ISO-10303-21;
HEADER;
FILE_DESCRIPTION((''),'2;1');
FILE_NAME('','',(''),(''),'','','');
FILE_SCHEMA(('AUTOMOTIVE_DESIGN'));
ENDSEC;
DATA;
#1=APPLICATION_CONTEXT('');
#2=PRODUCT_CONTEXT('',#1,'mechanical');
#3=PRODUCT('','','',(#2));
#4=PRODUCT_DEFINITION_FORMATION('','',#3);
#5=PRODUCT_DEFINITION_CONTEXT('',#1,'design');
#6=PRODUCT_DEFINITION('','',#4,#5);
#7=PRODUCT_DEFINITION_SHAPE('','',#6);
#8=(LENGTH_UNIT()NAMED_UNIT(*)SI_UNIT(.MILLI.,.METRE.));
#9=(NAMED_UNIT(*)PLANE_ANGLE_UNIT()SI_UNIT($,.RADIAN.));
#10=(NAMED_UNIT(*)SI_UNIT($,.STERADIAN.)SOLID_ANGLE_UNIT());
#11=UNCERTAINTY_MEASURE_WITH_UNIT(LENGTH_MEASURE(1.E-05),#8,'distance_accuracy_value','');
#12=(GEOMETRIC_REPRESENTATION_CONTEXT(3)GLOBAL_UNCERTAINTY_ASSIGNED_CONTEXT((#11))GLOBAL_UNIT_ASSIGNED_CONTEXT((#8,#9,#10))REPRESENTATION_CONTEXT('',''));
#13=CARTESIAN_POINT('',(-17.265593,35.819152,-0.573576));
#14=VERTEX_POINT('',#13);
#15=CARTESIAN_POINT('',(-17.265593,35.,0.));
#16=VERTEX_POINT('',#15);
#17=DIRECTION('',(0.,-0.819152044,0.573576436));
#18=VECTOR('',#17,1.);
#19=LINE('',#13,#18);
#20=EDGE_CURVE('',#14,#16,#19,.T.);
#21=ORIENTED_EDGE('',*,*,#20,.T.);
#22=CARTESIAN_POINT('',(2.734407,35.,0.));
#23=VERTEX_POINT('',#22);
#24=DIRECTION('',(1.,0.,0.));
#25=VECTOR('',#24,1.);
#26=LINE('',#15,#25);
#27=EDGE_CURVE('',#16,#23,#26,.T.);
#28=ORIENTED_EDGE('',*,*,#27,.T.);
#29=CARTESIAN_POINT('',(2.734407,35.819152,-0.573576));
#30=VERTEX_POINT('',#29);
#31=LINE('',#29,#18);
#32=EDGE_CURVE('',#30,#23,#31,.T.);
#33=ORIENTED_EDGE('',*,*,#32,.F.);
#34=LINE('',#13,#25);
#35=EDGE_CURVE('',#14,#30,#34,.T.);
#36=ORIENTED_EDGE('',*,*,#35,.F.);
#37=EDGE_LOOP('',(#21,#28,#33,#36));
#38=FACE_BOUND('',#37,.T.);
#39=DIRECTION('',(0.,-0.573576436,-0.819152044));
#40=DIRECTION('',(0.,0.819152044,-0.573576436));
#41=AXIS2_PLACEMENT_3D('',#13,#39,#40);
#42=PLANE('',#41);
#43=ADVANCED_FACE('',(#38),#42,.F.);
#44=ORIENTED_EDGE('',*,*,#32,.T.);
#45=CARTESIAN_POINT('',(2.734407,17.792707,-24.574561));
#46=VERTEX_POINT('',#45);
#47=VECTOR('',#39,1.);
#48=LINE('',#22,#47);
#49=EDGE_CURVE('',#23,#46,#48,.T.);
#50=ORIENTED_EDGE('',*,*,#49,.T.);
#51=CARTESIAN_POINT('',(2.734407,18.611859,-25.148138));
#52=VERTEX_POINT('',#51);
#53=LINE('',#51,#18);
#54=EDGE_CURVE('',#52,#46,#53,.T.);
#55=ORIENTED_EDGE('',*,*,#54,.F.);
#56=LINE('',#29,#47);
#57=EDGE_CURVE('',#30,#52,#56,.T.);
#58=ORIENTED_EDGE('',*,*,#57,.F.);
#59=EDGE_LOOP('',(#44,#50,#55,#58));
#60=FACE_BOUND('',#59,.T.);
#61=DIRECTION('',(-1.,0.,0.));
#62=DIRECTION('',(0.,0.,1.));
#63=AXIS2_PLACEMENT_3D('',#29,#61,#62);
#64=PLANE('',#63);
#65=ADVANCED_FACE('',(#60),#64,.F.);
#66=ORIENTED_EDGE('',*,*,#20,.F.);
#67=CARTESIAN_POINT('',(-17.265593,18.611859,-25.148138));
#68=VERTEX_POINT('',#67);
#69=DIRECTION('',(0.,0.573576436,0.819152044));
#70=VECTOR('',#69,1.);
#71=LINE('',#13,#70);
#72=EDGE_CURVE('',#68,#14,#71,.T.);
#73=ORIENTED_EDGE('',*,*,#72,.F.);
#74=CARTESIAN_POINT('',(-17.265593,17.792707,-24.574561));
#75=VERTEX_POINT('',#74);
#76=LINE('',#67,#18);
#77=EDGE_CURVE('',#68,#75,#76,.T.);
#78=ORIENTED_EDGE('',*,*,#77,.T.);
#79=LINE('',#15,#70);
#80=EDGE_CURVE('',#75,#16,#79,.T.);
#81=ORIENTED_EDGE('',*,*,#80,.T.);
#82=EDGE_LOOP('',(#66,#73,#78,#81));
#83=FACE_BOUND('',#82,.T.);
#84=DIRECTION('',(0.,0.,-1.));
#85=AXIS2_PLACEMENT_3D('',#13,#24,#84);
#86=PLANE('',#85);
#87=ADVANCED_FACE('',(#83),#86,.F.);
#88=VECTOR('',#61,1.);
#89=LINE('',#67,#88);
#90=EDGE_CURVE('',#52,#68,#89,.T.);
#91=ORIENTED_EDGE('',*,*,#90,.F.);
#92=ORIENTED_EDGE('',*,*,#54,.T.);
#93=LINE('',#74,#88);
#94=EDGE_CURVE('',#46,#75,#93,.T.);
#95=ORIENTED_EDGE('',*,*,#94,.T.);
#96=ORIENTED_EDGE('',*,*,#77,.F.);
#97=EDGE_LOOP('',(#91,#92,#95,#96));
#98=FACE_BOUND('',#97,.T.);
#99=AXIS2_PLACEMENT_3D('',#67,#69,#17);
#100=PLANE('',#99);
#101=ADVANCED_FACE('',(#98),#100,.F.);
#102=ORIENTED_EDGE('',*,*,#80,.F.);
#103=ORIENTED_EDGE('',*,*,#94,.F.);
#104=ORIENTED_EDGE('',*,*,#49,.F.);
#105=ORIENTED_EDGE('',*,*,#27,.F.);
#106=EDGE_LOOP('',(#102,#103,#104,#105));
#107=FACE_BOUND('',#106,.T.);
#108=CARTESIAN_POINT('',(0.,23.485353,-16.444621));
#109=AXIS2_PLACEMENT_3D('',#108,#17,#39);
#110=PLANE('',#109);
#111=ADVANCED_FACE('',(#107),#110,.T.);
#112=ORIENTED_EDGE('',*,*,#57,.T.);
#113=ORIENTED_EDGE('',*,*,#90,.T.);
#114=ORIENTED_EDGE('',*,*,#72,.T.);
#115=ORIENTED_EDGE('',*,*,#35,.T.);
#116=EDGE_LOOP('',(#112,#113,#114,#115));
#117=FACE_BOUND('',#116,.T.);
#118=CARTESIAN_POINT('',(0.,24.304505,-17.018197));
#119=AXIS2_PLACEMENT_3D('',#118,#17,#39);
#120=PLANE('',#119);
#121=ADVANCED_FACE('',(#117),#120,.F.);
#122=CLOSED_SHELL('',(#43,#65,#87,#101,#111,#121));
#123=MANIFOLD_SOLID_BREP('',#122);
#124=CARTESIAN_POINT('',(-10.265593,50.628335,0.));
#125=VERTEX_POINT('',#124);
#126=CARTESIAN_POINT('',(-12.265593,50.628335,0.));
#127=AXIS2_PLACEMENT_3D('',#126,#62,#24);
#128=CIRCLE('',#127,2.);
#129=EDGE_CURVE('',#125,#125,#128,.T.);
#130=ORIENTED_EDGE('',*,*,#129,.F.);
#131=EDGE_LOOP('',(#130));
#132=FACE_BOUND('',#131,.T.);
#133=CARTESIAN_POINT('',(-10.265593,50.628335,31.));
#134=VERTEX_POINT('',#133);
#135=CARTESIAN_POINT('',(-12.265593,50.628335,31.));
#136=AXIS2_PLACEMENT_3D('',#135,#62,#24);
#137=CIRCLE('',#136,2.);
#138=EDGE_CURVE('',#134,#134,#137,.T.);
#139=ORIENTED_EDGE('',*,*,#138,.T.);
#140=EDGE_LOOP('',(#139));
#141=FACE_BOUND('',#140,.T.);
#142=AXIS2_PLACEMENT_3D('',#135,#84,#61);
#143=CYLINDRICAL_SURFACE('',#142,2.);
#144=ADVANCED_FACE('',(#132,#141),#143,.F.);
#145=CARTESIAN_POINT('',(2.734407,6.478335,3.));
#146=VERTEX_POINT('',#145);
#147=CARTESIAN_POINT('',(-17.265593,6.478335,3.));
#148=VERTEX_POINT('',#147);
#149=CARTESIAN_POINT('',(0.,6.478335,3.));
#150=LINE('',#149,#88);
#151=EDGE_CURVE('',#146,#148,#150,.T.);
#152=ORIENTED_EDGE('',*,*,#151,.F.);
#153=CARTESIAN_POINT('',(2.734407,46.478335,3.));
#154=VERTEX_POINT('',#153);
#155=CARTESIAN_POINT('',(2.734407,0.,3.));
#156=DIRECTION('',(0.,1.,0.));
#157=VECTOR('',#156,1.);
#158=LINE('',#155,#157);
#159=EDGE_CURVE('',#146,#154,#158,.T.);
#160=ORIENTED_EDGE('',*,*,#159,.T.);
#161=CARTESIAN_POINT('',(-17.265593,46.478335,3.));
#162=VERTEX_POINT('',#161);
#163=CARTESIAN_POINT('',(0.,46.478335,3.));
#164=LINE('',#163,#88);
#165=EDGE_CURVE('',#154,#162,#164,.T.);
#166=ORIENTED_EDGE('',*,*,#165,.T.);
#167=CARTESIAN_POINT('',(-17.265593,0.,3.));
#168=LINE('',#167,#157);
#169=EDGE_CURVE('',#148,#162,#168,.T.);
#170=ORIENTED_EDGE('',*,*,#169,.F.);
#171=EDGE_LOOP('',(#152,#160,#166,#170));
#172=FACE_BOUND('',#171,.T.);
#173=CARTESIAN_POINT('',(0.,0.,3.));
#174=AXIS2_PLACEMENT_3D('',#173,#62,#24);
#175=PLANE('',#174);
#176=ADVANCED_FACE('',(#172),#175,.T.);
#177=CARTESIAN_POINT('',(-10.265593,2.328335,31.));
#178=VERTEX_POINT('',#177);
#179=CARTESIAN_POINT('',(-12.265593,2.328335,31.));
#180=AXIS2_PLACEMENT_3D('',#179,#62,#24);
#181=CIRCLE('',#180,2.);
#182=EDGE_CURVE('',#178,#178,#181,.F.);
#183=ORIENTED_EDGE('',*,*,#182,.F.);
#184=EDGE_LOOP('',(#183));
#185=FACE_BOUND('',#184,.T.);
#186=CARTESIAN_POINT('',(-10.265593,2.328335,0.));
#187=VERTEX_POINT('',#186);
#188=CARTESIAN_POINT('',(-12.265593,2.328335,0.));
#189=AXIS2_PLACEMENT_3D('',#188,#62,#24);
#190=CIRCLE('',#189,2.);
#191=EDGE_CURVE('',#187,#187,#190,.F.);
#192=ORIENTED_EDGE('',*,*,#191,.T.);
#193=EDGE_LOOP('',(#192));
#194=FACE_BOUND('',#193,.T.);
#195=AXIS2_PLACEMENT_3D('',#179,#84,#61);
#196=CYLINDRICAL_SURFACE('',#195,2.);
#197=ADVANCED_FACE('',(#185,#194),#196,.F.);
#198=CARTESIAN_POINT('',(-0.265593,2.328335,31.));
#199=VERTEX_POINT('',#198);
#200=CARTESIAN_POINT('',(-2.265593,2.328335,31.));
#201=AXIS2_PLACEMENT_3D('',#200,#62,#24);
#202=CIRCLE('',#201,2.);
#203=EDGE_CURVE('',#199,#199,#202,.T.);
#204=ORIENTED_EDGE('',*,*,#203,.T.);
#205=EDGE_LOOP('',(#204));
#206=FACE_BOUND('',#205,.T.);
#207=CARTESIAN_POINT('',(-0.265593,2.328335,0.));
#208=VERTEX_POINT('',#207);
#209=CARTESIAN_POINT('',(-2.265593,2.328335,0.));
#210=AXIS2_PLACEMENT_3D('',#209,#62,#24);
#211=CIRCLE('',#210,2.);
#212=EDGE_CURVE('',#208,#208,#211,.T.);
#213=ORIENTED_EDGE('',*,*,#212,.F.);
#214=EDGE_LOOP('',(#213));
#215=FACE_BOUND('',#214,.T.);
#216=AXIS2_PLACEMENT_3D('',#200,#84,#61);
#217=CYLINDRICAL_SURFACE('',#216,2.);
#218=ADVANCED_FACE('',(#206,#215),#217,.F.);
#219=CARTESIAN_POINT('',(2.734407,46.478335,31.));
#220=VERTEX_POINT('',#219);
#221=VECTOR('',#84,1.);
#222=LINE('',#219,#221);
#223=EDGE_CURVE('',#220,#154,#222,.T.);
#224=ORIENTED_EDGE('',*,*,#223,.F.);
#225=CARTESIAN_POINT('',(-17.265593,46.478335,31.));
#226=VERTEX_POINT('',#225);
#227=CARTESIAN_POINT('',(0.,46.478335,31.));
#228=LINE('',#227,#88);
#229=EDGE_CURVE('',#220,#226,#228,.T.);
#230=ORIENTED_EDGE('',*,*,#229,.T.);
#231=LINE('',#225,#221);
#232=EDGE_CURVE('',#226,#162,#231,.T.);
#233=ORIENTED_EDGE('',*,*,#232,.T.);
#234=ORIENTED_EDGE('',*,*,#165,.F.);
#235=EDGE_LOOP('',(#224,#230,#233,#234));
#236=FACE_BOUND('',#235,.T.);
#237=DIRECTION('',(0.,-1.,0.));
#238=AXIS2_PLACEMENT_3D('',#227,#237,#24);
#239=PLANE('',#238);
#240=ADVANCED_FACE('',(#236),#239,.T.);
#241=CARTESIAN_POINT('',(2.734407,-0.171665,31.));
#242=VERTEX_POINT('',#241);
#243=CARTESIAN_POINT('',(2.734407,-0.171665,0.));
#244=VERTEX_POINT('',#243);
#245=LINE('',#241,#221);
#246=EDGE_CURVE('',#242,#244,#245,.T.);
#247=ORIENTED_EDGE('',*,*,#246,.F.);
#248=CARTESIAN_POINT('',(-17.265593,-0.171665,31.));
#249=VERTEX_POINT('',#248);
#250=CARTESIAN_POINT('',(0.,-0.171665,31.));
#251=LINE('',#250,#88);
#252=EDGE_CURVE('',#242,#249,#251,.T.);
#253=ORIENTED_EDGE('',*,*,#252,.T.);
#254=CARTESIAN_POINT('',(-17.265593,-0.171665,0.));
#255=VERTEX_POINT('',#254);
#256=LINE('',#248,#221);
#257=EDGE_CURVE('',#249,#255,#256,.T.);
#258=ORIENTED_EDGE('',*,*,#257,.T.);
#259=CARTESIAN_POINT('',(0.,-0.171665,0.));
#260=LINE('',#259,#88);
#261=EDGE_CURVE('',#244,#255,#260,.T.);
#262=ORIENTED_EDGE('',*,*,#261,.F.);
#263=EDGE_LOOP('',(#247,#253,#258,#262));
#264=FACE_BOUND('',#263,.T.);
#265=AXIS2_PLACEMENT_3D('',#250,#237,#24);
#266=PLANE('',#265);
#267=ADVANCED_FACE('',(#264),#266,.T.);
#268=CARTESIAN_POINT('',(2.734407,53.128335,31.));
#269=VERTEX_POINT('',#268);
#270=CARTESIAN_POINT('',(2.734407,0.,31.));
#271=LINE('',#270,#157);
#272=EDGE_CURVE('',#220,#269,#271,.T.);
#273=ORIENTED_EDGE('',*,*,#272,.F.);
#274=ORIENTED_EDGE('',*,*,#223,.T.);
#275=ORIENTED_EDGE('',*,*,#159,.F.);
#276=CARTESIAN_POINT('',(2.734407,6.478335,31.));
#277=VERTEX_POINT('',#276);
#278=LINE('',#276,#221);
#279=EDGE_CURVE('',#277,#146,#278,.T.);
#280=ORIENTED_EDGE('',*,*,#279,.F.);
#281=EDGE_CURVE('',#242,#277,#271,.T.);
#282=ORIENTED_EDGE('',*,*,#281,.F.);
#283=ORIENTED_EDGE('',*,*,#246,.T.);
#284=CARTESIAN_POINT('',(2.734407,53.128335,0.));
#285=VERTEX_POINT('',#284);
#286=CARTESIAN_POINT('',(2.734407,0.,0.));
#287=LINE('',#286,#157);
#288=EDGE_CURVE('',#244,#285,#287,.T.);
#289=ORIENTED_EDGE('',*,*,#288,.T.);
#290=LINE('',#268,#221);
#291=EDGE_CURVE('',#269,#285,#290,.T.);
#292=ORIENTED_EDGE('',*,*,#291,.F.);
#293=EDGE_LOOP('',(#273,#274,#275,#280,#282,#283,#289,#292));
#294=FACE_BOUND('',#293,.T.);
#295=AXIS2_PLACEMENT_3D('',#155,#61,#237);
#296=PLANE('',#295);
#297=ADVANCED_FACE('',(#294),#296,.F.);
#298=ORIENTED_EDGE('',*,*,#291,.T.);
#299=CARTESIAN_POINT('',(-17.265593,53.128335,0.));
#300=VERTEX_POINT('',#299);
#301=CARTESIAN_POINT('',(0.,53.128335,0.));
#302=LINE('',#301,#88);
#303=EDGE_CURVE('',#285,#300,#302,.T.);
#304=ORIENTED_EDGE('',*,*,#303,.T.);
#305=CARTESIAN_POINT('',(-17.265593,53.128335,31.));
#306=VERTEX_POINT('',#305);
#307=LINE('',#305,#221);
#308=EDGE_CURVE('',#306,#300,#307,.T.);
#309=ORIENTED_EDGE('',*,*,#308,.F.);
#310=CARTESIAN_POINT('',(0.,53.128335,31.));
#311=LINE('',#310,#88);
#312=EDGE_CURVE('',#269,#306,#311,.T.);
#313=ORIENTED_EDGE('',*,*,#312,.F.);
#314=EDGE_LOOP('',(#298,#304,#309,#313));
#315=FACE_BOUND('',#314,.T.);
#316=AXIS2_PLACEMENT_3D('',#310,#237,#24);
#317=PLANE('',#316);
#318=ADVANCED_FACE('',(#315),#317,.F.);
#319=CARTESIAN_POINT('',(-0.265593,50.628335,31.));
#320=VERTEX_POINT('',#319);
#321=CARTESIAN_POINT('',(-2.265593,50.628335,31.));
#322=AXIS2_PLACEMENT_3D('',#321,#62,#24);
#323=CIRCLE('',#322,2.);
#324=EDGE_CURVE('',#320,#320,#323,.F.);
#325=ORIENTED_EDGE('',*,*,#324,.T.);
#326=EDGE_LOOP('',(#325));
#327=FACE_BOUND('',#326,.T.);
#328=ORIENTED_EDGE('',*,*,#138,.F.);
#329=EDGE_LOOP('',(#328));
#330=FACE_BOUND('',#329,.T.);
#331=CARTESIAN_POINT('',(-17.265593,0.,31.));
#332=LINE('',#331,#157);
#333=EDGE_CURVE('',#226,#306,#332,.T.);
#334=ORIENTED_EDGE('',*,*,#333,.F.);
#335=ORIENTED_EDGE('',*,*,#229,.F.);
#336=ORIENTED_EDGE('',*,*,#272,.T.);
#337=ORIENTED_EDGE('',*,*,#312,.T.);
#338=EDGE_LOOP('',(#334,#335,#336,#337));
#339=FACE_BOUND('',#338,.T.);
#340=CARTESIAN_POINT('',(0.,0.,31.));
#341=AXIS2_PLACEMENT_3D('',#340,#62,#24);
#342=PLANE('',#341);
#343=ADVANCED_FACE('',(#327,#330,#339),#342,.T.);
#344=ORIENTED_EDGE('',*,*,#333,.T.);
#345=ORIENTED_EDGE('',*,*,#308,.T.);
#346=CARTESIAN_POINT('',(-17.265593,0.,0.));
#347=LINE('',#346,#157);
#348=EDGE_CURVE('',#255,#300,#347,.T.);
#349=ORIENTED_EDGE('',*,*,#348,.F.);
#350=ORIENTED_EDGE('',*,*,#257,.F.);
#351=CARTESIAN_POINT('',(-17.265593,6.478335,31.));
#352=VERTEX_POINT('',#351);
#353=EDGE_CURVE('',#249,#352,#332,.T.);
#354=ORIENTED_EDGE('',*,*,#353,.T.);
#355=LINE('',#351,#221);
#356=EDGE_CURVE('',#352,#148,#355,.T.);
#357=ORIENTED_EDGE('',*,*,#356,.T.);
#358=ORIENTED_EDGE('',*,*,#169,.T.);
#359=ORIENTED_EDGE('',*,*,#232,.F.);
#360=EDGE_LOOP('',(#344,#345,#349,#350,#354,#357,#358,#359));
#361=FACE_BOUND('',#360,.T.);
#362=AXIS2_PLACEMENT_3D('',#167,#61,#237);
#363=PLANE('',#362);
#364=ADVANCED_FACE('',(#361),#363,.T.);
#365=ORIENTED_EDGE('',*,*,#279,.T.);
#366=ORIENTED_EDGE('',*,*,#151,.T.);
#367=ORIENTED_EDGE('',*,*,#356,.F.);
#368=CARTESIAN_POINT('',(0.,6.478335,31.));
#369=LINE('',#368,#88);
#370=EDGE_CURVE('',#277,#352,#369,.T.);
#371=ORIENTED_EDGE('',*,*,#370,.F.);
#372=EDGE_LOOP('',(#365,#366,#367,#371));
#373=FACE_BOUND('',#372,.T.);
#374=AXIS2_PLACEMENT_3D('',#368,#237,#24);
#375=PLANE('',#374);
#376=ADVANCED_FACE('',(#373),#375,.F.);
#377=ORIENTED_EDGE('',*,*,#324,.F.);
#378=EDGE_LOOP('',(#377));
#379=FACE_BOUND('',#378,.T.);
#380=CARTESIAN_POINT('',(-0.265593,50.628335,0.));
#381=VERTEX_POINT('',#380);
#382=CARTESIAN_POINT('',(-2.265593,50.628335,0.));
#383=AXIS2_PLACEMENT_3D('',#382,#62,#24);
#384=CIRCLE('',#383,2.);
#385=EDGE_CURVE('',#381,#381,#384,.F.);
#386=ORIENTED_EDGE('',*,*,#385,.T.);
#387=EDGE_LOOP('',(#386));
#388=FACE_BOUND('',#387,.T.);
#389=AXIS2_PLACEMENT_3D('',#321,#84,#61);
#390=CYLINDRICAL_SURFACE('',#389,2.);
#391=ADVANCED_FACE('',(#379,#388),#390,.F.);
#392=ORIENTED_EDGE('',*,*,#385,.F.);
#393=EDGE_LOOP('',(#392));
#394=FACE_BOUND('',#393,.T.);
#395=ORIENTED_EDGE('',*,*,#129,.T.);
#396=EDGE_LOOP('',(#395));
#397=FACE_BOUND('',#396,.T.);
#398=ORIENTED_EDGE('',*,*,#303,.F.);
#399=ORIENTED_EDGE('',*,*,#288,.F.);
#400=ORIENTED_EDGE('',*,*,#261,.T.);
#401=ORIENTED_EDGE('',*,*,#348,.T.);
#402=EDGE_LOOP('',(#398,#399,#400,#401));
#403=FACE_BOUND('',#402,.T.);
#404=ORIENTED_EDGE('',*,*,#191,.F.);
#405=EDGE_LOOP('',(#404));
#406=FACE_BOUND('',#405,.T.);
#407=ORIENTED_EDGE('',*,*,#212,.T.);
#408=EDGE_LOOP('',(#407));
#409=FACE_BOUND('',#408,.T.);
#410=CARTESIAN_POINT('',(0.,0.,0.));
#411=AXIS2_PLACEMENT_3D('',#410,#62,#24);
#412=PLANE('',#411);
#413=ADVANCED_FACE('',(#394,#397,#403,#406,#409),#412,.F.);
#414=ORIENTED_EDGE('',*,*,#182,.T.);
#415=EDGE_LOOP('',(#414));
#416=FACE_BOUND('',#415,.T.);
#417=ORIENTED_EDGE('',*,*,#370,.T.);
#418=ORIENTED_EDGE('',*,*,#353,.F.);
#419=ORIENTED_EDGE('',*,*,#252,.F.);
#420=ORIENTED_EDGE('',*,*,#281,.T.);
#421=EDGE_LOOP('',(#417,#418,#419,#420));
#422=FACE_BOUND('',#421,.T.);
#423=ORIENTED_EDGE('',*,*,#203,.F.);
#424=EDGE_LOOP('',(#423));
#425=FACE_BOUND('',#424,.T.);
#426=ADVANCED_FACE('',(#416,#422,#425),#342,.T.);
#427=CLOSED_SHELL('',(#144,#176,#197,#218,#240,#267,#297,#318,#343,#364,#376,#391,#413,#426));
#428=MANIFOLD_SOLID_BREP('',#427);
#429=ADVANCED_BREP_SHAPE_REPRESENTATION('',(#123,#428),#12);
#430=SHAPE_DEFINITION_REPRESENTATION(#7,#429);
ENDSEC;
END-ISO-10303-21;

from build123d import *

# Parameters (mm, degrees)
SKETCH3_W           = 20
SKETCH3_H           = 40
BOSS_EXTRUDE1_DEPTH = 3
SKETCH3_3_W         = 20
SKETCH3_3_H         = 6.65
SKETCH3_3_R         = 2
BOSS_EXTRUDE2_DEPTH = 31
SKETCH8_W           = 20
SKETCH8_H           = 30
BOSS_EXTRUDE6_DEPTH = 1


with BuildPart() as part:
    # Sketch3 → Boss-Extrude1 (new body)
    with BuildSketch(Plane.XY):
        with Locations((-7.265593176, 26.478335221)):
            Rectangle(SKETCH3_W, SKETCH3_H)
    extrude(amount=BOSS_EXTRUDE1_DEPTH)

    # Sketch3<3> → Boss-Extrude2 (add)
    # profile 1 of 2: a face of its own
    with BuildSketch(Plane.XY):
        with Locations((-7.265593176, 3.153335221)):
            Rectangle(SKETCH3_3_W, SKETCH3_3_H)
        with Locations((-2.265593176, 2.328335221)):
            Circle(SKETCH3_3_R, mode=Mode.SUBTRACT)
        with Locations((-12.265593176, 2.328335221)):
            Circle(SKETCH3_3_R, mode=Mode.SUBTRACT)
    # profile 2 of 2: a face of its own
    with BuildSketch(Plane.XY):
        with Locations((-7.265593176, 49.803335221)):
            Rectangle(SKETCH3_3_W, SKETCH3_3_H)
        with Locations((-12.265593176, 50.628335221)):
            Circle(SKETCH3_3_R, mode=Mode.SUBTRACT)
        with Locations((-2.265593176, 50.628335221)):
            Circle(SKETCH3_3_R, mode=Mode.SUBTRACT)
    extrude(amount=BOSS_EXTRUDE2_DEPTH)


with BuildPart() as body_2:
    # Sketch8 → Boss-Extrude6 (new body)
    with BuildSketch(Plane(origin=(0, 23.485352508, -16.444620864), x_dir=(1, 0, 0), z_dir=(0, 0.819152044288991, -0.5735764363510473))):
        with Locations((-7.265593176, -5.075175272)):
            Rectangle(SKETCH8_W, SKETCH8_H)
    extrude(amount=BOSS_EXTRUDE6_DEPTH)


solid = Compound([part.part, body_2.part])
